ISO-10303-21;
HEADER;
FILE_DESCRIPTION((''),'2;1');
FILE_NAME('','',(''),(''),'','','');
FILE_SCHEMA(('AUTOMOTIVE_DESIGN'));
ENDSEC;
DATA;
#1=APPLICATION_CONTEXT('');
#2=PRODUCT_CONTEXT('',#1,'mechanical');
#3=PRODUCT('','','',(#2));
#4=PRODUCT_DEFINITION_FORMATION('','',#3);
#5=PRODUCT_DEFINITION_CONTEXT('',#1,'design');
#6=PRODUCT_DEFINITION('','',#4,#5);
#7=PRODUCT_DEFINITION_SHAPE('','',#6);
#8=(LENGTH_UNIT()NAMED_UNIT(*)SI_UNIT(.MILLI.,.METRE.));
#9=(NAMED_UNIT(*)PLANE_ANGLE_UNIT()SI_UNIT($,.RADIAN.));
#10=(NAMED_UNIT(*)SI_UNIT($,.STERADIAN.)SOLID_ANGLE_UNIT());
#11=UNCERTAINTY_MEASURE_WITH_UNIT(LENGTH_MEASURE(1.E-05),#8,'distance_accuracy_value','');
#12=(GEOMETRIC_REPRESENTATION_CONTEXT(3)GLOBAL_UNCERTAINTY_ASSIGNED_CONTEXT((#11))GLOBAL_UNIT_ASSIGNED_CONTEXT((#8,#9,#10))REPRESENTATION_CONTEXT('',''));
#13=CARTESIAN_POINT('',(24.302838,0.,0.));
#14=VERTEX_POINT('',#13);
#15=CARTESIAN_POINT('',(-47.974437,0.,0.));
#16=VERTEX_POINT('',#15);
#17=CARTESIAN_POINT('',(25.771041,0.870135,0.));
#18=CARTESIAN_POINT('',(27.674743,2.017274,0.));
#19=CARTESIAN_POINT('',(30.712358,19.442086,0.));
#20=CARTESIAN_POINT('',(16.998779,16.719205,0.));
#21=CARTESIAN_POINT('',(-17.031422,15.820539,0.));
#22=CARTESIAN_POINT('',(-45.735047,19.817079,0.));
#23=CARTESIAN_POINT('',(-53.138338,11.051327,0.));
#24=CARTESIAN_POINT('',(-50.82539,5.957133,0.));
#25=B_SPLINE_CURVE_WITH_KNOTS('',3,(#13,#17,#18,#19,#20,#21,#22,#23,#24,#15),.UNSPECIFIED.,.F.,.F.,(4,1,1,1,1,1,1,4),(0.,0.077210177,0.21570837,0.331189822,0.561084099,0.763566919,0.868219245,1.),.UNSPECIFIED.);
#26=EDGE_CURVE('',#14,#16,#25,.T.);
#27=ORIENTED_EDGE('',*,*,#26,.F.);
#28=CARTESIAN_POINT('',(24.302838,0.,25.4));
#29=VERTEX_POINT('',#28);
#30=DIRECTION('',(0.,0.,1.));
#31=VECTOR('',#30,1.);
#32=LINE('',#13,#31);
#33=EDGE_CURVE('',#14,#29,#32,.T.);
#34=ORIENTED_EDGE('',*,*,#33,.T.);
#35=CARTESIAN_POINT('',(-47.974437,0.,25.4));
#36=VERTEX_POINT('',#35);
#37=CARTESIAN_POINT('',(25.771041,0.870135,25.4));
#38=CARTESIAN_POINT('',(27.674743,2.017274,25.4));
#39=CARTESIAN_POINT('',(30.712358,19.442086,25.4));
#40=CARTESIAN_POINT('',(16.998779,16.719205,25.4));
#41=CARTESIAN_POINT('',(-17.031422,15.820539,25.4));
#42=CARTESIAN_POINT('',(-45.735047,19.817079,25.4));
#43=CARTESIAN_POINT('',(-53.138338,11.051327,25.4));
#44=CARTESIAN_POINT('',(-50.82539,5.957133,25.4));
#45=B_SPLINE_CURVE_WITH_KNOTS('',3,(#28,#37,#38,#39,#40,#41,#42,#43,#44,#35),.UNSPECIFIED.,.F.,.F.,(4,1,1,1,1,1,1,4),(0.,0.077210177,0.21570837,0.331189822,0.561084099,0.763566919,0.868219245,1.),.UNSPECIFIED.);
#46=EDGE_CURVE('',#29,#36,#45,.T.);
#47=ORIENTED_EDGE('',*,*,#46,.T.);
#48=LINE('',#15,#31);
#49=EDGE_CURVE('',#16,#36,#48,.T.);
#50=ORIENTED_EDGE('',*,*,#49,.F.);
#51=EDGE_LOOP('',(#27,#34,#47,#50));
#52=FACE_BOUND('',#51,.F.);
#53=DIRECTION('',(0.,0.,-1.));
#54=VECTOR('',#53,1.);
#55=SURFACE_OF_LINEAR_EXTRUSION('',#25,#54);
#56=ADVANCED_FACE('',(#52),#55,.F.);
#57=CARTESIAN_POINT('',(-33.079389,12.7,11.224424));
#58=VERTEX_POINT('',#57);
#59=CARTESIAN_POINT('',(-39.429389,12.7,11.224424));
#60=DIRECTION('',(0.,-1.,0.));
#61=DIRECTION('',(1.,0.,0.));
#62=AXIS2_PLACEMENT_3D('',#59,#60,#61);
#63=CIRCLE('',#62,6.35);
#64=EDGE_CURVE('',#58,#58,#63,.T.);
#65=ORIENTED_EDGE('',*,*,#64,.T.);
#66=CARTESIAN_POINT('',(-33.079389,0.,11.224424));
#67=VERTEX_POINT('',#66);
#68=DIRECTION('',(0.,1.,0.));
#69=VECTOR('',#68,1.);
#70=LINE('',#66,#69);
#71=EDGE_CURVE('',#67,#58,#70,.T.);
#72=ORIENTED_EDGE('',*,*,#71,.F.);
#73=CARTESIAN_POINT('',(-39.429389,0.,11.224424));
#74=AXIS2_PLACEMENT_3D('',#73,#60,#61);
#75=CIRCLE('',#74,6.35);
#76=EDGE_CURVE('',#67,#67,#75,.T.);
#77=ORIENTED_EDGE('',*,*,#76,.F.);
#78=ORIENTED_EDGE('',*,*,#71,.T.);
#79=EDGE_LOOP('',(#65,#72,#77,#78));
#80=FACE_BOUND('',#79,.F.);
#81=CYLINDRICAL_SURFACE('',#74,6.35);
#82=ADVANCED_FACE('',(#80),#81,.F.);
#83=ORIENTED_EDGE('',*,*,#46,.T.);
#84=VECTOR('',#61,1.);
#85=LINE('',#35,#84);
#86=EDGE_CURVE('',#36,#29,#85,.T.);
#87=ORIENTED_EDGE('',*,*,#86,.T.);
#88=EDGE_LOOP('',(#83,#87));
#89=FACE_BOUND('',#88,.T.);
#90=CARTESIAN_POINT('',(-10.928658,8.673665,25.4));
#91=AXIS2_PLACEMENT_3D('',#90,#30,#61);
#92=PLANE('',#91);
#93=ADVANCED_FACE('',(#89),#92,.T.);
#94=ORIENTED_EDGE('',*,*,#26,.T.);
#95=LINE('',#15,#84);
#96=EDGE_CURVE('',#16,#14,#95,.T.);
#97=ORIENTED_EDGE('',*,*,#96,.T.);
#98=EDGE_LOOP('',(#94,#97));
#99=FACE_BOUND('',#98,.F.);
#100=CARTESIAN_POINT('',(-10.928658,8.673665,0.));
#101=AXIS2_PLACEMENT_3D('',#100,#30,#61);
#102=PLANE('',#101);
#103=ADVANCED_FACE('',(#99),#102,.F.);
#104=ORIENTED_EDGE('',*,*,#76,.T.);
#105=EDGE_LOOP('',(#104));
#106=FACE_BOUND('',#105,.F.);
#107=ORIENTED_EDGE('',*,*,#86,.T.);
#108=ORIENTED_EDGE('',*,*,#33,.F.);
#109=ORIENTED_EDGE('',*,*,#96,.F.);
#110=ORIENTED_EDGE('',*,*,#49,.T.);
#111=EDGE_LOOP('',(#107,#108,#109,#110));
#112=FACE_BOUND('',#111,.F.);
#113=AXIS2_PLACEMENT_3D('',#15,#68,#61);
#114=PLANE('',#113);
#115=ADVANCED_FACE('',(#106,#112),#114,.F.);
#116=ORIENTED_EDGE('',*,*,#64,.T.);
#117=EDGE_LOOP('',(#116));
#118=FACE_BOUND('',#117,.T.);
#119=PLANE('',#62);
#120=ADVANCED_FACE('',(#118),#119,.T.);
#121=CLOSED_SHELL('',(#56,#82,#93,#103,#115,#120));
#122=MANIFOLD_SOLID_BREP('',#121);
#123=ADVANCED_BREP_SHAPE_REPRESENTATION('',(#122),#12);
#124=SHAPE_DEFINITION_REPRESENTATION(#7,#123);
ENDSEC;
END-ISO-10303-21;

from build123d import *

# Parameters (mm, degrees)
F1_DEPTH = 25.4
F2_R     = 6.35
F3_DEPTH = 12.7


with BuildPart() as f1:
    # F0 (on Top) → F1 (new body)
    with BuildSketch(Plane.XY):
        with BuildLine():
            add(Edge.make_bspline(
                [(24.3028383702, 0), (25.7710410603, 0.8701346799), (27.6747426878, 2.0172740136), (30.7123582992, 19.4420862531), (16.9987790079, 16.7192048091), (-17.0314217592, 15.8205388666), (-45.7350466802, 19.8170788538), (-53.1383378672, 11.0513268214), (-50.8253900172, 5.9571333036), (-47.9744374752, 0)],
                knots=[0, 0, 0, 0, 0.0772101765, 0.2157083697, 0.3311898223, 0.5610840992, 0.7635669186, 0.8682192446, 1, 1, 1, 1], degree=3))
            Line((-47.9744374752, 0), (24.3028383702, 0))
        make_face()
    extrude(amount=F1_DEPTH)

    # F2 (on Front) → F3 (cut)
    with BuildSketch(Plane.XZ):
        with Locations((-39.4293889403, 11.2244244665)):
            Circle(F2_R)
    extrude(amount=-F3_DEPTH, mode=Mode.SUBTRACT)


solid = f1.part
